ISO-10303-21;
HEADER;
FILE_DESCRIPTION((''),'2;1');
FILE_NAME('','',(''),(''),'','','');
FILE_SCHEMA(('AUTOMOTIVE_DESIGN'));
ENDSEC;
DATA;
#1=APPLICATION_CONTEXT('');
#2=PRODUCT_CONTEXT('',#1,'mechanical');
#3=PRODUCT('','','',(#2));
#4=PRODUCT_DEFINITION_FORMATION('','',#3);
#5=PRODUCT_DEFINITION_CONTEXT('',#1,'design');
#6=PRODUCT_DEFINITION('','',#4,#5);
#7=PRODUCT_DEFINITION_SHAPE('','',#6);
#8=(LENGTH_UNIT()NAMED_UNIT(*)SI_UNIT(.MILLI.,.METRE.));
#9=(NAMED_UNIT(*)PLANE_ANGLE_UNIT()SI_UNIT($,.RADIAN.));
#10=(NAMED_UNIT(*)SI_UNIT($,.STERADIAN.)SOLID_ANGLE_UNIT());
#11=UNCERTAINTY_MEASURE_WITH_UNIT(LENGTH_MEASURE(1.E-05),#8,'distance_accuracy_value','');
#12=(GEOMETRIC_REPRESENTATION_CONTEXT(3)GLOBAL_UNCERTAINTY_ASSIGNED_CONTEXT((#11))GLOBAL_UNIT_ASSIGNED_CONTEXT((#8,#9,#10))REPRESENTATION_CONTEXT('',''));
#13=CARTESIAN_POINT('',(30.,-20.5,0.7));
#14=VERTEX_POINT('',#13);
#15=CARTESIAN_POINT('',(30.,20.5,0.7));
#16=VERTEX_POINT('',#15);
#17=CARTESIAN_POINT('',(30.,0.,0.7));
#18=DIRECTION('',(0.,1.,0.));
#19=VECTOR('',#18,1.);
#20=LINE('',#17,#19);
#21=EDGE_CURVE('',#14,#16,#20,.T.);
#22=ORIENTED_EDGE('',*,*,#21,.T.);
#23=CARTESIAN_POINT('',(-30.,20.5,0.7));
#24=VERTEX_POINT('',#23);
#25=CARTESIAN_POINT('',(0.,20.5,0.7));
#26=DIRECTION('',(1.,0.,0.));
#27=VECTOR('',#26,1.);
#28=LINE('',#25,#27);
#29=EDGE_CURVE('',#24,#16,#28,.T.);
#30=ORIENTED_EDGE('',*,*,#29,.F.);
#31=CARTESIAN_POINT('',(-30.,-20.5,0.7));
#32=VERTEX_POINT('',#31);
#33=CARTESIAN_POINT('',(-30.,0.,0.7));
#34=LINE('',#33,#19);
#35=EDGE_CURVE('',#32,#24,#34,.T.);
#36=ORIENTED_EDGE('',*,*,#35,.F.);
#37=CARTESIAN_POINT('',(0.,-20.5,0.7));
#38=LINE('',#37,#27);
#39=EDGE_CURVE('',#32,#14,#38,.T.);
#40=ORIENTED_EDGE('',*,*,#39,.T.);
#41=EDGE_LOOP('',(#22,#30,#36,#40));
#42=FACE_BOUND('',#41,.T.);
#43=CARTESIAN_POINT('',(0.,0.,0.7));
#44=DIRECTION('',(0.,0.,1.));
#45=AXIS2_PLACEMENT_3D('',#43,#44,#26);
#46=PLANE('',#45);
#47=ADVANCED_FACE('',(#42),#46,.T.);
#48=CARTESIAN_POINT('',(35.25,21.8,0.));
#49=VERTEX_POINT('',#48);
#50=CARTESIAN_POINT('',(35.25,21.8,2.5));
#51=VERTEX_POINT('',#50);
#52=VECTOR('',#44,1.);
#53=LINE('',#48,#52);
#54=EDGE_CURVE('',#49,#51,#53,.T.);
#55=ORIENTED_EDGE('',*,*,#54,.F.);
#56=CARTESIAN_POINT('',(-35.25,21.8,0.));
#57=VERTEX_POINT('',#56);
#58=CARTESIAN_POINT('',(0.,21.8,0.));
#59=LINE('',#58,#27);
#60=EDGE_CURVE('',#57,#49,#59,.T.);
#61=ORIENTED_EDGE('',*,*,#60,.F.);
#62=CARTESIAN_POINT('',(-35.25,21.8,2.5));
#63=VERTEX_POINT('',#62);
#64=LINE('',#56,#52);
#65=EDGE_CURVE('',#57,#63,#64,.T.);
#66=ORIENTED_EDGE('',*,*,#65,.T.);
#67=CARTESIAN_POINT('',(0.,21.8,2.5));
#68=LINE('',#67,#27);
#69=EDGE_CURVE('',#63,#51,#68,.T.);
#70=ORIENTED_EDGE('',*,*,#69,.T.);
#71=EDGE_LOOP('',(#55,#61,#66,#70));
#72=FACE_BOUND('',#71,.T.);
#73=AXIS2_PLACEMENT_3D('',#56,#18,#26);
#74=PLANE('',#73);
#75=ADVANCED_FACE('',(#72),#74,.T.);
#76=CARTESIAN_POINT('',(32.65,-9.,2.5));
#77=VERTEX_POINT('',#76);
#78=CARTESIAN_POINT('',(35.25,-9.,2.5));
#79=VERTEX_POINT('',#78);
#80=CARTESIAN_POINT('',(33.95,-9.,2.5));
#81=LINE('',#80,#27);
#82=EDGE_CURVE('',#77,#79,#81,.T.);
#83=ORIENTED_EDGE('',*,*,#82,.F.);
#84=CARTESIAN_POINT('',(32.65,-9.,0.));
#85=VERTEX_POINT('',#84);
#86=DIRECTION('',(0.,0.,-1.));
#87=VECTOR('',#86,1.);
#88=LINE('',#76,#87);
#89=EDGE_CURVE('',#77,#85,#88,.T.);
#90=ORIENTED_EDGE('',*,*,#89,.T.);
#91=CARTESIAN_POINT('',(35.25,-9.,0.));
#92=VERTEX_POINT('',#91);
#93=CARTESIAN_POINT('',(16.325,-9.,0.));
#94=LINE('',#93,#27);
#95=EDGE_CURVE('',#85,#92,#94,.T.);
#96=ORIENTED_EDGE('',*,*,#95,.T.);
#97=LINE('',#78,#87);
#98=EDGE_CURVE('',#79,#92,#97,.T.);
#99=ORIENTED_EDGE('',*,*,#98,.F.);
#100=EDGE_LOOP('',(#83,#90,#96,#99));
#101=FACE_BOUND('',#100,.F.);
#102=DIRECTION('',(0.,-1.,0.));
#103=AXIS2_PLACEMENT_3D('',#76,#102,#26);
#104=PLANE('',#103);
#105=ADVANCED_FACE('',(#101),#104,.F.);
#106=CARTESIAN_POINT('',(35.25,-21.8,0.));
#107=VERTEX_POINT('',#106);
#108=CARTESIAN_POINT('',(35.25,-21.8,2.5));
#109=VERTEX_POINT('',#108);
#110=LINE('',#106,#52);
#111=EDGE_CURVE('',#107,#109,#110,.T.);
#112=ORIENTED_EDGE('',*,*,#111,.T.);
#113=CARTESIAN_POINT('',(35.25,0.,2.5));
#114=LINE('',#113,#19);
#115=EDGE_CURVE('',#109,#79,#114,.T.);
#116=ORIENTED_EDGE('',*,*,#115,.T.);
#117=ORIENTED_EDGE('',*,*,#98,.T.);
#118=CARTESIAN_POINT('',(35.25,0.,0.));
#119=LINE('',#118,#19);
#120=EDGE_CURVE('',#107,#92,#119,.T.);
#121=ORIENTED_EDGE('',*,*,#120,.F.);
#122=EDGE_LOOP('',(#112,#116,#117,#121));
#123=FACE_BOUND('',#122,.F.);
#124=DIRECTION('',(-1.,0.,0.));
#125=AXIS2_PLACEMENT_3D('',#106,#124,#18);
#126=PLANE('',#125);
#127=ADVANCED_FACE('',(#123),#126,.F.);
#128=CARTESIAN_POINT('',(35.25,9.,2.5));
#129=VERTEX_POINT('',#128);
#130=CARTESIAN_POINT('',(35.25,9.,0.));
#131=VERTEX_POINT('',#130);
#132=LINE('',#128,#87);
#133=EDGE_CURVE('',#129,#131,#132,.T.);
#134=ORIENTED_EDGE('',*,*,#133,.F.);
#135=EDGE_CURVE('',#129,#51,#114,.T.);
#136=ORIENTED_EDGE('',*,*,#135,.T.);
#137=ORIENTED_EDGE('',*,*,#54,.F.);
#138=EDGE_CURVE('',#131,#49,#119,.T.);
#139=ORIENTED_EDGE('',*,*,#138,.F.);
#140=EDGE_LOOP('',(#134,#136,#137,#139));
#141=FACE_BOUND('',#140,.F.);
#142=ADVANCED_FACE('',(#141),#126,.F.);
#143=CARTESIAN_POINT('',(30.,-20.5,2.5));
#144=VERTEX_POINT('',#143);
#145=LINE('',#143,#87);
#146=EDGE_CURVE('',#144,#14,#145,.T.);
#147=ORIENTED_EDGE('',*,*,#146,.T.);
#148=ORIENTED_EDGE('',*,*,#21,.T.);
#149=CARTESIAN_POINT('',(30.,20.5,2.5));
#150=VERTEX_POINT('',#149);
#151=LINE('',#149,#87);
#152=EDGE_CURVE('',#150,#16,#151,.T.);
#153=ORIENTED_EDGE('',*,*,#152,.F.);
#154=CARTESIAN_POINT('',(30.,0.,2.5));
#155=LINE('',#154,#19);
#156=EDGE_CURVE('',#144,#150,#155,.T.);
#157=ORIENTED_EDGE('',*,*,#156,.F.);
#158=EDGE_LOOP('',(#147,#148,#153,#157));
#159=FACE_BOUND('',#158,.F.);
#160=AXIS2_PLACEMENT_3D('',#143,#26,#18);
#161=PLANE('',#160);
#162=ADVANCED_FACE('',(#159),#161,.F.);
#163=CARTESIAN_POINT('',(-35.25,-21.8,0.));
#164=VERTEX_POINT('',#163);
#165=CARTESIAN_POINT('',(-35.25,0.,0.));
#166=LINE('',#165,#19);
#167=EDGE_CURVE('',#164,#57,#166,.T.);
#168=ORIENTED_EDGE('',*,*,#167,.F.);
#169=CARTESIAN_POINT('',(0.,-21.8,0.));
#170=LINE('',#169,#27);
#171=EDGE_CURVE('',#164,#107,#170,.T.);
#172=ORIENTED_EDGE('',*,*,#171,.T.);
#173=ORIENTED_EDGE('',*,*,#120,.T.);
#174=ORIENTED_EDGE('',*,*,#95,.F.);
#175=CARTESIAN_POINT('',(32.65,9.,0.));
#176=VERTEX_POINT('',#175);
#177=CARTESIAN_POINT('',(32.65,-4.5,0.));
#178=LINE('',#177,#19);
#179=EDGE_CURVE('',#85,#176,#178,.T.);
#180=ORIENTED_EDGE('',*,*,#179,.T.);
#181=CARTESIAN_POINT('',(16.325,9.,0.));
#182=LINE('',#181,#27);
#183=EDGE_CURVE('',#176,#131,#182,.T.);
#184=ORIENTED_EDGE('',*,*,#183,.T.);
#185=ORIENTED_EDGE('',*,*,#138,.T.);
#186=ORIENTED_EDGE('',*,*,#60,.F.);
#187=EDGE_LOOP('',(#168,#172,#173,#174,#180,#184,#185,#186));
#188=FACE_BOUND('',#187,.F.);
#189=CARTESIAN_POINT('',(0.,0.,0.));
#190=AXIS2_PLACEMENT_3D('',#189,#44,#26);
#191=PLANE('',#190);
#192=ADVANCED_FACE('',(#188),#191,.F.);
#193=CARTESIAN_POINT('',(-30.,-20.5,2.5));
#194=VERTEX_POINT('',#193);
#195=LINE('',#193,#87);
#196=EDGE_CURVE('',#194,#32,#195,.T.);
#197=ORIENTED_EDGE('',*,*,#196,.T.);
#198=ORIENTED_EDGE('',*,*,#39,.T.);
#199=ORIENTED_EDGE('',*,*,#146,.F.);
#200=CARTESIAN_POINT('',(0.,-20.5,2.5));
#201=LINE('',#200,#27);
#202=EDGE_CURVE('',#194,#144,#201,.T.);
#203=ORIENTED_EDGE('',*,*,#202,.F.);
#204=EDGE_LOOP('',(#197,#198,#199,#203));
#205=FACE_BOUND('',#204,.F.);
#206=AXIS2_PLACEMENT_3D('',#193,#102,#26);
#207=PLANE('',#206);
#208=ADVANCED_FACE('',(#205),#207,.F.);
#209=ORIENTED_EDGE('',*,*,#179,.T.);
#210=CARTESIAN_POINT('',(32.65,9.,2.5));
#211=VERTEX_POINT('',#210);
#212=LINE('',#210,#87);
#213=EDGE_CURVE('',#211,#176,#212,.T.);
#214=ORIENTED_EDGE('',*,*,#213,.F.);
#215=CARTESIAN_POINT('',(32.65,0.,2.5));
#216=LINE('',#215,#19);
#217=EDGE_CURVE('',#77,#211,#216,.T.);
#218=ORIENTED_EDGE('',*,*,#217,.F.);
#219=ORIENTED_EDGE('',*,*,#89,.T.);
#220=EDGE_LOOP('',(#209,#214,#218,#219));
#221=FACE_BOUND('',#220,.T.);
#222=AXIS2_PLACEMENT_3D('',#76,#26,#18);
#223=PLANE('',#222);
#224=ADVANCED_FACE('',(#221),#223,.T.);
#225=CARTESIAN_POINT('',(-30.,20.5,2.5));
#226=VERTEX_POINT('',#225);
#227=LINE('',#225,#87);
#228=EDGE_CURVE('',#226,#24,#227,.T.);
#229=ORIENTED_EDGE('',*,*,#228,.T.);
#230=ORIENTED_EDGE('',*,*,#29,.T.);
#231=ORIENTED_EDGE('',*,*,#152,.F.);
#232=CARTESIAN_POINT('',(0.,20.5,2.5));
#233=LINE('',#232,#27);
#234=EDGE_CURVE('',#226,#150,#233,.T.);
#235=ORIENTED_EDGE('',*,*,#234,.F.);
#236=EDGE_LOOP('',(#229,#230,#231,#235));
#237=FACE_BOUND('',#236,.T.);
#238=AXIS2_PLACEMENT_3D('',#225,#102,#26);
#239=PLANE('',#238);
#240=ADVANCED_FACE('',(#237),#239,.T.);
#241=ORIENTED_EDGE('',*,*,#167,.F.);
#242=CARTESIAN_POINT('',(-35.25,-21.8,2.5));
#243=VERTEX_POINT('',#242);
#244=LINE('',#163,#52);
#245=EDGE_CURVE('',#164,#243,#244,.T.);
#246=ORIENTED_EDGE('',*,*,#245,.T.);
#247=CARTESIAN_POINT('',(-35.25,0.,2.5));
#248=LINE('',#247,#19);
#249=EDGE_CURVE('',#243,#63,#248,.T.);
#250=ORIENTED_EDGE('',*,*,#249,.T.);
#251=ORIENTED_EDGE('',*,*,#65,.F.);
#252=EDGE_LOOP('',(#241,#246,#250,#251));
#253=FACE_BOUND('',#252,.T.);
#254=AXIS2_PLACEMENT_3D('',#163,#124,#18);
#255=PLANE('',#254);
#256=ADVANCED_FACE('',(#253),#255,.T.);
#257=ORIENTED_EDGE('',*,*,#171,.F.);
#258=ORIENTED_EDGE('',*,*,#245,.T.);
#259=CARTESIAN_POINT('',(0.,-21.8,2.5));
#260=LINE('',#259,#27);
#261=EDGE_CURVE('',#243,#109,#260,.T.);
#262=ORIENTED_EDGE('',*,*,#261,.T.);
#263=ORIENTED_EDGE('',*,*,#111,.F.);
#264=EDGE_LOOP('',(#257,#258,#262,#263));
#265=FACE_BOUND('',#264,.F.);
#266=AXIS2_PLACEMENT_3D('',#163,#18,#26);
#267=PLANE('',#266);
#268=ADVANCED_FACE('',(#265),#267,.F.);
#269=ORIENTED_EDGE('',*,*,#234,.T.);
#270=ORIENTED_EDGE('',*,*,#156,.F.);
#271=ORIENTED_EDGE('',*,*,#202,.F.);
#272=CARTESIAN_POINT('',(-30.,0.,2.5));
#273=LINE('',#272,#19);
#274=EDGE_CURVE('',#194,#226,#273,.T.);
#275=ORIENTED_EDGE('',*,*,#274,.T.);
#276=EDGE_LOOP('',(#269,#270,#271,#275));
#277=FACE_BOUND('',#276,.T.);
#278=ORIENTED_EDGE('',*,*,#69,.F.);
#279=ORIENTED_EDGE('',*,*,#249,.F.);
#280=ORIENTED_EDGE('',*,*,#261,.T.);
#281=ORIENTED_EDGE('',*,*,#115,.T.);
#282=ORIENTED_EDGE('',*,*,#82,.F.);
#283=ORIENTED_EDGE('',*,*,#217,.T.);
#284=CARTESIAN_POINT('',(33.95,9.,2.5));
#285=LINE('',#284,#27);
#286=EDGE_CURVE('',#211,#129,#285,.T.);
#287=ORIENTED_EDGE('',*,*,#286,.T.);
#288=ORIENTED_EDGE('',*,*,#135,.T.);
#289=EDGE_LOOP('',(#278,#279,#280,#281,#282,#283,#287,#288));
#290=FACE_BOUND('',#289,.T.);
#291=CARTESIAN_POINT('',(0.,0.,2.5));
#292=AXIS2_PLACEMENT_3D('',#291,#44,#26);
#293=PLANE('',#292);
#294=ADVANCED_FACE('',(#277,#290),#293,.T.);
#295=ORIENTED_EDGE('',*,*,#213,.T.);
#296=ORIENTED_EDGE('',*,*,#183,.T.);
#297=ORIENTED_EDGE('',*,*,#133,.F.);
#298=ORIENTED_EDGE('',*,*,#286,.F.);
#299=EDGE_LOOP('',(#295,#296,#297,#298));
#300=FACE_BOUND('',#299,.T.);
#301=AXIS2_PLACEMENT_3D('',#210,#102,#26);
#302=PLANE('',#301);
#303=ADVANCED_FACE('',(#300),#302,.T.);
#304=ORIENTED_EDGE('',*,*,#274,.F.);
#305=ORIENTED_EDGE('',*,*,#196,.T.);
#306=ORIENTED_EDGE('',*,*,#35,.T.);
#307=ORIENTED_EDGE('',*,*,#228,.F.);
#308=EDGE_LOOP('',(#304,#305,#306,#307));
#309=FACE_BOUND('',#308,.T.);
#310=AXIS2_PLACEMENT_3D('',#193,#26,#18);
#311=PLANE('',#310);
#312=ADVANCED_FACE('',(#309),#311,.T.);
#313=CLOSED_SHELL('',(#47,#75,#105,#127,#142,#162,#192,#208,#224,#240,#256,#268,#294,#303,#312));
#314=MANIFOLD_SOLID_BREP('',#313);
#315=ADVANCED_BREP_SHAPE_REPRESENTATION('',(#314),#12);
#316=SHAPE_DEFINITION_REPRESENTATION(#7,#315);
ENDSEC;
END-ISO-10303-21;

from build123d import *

# Parameters (mm, degrees)
SKETCH_W        = 70.5
SKETCH_H        = 43.6
PAD_DEPTH       = 2.5
SKETCH001_W     = 60
SKETCH001_H     = 41
POCKET_DEPTH    = 1.8
SKETCH002_W     = 2.6
SKETCH002_H     = 18
POCKET001_DEPTH = 5


with BuildPart() as part:
    # Sketch → Pad (new body)
    with BuildSketch(Plane.XY):
        Rectangle(SKETCH_W, SKETCH_H)
    extrude(amount=PAD_DEPTH)

    # Sketch001 (on Face6 of Pad) → Pocket (cut)
    with BuildSketch(Plane.XY.offset(2.5)):
        Rectangle(SKETCH001_W, SKETCH001_H)
    extrude(amount=-POCKET_DEPTH, mode=Mode.SUBTRACT)

    # Sketch002 (on Face5 of Pocket) → Pocket001 (cut)
    with BuildSketch(Plane.XY.offset(2.5)):
        with Locations((33.95, 0)):
            Rectangle(SKETCH002_W, SKETCH002_H)
    extrude(amount=-POCKET001_DEPTH, mode=Mode.SUBTRACT)


solid = part.part
